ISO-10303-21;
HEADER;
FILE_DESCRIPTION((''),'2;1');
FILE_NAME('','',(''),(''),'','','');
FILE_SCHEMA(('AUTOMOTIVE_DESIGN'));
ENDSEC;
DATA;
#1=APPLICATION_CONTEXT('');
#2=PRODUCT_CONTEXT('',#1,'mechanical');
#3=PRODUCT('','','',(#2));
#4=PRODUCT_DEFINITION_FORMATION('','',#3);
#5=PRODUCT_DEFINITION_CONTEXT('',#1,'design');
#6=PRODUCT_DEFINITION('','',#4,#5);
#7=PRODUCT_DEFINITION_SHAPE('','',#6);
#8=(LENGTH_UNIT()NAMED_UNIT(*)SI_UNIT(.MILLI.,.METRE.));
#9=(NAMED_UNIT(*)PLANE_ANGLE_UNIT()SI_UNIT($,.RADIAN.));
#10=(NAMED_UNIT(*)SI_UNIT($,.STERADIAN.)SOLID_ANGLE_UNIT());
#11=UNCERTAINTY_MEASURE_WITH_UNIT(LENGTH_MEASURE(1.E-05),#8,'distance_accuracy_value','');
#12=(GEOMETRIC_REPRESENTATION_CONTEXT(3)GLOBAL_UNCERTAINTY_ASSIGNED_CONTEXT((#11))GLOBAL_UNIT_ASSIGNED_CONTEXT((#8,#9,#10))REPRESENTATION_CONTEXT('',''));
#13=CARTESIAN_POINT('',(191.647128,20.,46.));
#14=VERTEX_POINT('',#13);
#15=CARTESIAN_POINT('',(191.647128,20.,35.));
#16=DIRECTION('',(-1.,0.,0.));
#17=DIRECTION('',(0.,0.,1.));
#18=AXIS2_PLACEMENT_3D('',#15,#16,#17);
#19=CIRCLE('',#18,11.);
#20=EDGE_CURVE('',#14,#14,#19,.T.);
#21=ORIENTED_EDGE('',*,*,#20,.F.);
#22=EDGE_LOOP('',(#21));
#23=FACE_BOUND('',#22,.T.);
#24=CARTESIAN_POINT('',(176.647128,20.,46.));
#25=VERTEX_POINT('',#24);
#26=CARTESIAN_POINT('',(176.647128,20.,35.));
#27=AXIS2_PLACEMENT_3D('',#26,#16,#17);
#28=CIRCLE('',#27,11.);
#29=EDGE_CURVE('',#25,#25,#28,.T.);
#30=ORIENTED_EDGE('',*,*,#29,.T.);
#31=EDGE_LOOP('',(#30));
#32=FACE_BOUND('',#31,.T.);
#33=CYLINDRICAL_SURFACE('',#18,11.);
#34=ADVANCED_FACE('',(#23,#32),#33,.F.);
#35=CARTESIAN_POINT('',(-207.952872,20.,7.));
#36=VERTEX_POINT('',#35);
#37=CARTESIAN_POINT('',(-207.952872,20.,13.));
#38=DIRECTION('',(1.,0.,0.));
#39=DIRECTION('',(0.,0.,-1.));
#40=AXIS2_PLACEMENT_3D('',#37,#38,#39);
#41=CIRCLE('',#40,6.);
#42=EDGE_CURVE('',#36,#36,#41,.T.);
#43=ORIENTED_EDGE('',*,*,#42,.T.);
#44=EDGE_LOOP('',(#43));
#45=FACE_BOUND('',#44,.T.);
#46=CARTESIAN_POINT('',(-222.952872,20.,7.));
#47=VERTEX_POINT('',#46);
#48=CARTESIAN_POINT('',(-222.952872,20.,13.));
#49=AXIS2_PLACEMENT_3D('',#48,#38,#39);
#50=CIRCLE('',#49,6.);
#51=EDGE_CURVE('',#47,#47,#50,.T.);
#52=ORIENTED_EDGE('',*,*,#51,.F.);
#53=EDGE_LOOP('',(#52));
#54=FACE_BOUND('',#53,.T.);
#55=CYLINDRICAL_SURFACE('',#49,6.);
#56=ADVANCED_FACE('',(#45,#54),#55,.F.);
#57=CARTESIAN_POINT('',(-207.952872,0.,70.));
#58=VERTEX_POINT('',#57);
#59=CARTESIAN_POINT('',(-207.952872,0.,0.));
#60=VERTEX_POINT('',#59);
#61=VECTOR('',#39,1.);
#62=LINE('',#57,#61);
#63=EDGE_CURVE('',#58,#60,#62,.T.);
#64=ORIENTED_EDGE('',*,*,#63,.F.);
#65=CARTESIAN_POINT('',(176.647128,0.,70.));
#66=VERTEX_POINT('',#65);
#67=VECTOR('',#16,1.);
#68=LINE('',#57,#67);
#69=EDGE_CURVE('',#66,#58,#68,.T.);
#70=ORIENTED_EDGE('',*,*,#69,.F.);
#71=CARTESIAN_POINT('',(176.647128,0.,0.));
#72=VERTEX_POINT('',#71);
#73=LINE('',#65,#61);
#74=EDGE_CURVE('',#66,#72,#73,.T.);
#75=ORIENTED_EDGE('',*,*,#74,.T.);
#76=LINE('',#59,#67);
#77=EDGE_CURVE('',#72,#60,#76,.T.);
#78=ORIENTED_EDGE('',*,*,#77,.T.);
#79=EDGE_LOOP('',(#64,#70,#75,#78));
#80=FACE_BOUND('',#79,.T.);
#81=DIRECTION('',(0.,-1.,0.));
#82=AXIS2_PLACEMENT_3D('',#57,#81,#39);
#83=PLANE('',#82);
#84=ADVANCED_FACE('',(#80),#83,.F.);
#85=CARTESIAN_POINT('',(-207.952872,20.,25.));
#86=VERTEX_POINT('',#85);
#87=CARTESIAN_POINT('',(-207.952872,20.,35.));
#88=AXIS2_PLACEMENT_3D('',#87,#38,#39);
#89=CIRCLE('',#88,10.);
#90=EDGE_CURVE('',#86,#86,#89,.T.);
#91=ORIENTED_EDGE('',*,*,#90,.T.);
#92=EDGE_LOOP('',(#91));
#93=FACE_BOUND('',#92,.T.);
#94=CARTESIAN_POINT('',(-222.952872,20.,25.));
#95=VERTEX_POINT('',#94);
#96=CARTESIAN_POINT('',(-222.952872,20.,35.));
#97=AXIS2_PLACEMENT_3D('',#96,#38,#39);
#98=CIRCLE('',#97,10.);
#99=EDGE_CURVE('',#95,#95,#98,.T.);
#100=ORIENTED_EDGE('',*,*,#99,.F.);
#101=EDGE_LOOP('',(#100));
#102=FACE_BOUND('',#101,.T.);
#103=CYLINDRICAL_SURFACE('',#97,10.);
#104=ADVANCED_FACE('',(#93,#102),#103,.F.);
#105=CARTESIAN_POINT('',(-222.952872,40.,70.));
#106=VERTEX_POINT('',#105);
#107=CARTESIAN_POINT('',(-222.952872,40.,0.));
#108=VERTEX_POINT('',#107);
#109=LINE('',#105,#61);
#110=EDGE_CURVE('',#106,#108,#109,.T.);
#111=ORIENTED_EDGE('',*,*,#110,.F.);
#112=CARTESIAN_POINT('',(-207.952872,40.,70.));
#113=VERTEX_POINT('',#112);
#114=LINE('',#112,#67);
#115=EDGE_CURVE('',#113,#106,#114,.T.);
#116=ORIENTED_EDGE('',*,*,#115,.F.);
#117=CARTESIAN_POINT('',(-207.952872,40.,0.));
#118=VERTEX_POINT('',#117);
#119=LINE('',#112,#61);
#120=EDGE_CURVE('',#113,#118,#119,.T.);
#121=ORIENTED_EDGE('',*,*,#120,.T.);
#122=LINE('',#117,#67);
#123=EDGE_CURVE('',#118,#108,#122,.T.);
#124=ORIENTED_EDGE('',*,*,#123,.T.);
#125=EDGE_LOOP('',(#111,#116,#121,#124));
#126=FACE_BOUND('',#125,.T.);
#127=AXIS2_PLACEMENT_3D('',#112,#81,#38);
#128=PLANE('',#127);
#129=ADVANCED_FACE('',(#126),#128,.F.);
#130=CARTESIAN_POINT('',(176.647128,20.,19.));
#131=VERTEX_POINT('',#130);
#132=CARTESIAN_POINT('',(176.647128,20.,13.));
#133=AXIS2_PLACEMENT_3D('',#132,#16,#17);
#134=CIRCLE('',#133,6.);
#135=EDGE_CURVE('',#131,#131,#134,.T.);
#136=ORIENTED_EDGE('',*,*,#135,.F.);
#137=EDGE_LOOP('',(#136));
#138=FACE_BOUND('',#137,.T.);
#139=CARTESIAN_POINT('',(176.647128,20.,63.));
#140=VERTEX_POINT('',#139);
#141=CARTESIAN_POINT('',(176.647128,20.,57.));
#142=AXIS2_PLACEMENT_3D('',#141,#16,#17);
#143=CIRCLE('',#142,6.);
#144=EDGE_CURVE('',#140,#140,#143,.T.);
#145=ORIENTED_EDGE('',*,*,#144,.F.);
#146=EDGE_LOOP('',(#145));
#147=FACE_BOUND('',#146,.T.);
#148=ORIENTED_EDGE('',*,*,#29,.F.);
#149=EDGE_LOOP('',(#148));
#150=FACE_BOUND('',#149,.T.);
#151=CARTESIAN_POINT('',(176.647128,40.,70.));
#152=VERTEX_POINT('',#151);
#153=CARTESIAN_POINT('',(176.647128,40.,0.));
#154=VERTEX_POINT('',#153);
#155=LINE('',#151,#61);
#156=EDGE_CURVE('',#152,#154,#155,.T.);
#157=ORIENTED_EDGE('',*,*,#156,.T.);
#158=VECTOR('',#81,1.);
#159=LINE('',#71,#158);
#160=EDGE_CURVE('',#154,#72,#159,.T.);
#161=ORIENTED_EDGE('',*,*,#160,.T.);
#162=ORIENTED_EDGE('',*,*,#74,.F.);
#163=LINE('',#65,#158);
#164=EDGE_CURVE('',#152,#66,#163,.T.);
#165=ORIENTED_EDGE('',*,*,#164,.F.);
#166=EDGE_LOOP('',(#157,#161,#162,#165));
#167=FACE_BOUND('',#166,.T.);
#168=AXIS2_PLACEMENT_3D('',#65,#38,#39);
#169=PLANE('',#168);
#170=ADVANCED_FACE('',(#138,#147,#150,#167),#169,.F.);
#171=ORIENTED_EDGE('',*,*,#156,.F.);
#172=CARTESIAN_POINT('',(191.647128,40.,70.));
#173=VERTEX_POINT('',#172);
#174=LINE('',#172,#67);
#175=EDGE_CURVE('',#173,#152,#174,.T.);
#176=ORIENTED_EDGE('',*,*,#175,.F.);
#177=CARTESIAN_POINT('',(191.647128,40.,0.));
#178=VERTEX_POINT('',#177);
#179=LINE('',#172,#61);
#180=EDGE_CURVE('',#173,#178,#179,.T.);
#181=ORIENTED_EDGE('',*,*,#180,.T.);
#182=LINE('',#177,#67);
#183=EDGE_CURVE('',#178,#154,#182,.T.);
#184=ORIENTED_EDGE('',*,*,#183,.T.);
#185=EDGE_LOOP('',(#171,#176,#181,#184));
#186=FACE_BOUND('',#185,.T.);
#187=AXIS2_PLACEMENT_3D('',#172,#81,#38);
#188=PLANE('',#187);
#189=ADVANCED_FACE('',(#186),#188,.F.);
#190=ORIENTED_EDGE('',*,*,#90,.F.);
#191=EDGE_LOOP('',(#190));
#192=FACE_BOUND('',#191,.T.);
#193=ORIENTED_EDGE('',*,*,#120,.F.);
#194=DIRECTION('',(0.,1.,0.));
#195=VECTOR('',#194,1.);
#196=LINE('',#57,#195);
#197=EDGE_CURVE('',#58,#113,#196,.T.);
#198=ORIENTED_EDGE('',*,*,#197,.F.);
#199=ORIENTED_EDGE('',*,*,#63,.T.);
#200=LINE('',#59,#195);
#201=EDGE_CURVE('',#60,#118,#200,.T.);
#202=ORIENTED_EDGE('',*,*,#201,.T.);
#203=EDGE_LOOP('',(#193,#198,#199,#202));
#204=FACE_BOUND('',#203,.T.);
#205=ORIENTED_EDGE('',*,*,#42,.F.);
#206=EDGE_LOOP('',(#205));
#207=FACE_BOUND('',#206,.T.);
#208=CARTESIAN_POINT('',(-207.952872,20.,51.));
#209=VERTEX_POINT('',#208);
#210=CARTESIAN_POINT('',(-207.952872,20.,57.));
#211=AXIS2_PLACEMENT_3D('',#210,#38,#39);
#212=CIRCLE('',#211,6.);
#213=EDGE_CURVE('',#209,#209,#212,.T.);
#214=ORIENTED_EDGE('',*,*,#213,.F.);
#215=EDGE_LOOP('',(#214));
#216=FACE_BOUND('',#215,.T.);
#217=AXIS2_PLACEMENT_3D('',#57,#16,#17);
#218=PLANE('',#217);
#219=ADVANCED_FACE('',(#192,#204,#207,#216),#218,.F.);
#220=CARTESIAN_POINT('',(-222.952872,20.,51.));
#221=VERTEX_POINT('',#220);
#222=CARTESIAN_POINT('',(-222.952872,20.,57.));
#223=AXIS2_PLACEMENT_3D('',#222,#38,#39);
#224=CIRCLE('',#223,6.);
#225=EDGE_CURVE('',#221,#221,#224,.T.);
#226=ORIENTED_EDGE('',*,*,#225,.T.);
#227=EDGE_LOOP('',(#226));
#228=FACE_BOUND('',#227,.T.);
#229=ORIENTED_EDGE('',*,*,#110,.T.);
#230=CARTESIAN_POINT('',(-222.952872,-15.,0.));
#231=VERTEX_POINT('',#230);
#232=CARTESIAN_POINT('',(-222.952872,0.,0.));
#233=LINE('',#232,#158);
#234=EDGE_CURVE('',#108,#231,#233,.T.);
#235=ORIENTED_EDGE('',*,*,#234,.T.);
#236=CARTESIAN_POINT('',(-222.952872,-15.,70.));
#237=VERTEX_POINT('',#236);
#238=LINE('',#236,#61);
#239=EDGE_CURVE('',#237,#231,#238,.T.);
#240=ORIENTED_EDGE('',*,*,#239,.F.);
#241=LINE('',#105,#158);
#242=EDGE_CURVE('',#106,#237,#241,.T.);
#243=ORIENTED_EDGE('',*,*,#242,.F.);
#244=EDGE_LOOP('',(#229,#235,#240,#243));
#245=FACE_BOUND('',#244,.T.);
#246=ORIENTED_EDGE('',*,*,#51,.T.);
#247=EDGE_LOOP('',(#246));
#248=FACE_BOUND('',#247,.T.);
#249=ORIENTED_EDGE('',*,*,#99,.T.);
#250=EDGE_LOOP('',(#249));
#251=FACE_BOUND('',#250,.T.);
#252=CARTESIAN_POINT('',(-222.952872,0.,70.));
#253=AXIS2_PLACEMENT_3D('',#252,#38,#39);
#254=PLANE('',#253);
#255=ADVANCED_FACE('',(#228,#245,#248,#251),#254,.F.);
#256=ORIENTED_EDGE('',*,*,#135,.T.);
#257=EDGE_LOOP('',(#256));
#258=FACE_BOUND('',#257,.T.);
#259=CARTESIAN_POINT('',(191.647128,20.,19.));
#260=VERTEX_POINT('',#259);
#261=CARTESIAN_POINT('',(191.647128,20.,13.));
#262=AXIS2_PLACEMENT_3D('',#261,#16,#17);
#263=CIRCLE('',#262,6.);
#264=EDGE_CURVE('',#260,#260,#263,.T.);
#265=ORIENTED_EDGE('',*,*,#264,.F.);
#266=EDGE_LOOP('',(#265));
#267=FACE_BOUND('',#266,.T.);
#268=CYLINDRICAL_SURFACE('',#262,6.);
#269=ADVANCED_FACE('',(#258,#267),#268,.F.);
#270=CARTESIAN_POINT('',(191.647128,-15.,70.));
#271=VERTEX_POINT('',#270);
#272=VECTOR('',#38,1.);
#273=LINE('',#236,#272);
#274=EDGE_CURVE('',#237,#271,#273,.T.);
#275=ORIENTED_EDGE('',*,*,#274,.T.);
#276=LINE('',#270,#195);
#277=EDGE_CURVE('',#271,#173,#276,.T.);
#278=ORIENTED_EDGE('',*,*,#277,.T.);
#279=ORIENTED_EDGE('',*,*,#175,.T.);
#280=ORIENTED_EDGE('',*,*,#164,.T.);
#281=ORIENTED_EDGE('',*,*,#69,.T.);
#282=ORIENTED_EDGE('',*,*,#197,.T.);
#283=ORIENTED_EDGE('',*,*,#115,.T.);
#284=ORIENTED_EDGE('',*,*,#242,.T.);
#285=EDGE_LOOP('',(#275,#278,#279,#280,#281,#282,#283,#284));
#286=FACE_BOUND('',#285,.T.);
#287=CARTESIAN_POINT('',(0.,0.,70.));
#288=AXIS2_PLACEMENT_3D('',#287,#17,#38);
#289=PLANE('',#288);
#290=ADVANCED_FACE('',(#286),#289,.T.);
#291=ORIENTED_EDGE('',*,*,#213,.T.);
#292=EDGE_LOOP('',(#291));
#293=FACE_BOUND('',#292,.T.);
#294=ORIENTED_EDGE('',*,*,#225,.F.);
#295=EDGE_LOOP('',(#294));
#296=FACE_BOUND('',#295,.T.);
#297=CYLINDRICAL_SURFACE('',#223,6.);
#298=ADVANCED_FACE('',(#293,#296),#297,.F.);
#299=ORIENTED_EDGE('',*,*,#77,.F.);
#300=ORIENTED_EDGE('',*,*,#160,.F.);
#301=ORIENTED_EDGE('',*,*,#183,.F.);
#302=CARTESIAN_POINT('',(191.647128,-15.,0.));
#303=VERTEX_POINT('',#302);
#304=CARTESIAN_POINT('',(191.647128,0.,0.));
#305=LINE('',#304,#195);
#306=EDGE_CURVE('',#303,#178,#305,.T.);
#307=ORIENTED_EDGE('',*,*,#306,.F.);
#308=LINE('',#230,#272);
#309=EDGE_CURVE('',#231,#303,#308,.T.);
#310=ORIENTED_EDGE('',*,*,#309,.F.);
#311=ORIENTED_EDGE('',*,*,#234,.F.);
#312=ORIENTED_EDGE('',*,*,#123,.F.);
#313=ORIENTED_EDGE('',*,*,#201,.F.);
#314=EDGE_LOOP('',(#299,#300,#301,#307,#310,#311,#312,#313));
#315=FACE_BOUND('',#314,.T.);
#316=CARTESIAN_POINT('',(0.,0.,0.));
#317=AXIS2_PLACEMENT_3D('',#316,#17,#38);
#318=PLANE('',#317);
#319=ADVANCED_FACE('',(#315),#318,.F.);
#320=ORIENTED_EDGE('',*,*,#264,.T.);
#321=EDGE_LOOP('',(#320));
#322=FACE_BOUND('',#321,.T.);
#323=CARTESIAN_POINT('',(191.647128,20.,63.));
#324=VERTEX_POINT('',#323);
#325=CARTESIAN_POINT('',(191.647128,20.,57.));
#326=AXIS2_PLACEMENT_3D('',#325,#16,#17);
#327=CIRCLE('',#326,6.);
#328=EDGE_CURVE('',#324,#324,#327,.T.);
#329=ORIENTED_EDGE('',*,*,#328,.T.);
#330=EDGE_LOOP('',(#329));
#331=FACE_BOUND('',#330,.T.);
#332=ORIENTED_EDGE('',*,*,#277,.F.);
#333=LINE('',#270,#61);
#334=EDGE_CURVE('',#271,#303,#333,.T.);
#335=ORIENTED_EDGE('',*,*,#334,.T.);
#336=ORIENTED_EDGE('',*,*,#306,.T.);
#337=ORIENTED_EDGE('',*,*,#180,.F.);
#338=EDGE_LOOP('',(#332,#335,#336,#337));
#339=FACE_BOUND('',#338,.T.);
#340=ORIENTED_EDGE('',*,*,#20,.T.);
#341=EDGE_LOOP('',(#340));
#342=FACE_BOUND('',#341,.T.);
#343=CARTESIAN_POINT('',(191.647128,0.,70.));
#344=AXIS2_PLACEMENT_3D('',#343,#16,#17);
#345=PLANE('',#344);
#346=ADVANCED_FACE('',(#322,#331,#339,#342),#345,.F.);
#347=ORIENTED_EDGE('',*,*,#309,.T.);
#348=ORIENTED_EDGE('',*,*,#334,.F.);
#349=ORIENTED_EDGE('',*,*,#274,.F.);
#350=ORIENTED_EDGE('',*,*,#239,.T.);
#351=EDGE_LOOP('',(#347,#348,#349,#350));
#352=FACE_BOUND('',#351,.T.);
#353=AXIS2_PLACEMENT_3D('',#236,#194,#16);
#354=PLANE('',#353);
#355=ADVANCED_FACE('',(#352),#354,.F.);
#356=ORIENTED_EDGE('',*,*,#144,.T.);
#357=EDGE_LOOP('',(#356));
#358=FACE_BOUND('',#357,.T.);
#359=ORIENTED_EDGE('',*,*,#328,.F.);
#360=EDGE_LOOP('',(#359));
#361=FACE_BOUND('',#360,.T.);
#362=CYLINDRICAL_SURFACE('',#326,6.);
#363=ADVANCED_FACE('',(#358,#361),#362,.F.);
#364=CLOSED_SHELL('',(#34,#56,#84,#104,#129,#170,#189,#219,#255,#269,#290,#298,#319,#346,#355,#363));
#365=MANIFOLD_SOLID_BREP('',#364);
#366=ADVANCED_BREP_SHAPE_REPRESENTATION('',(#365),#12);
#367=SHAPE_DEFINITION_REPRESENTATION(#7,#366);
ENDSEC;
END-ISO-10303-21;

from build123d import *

# Parameters (mm, degrees)
BOSS_EXTRUDE3_DEPTH = 70
SKETCH2_R           = 10
CUT_EXTRUDE1_DEPTH  = 408.652008458
SKETCH3_R           = 6
CUT_EXTRUDE2_DEPTH  = 408.652008458
SKETCH4_R           = 11
CUT_EXTRUDE3_DEPTH  = 408.652008458
SKETCH5_R           = 6
CUT_EXTRUDE4_DEPTH  = 408.652008458


with BuildPart() as part:
    # Sketch1 → Boss-Extrude3 (new body)
    with BuildSketch(Plane.XY):
        Polygon((-207.952872216, 0), (176.647127784, 0), (176.647127784, 40), (191.647127784, 40), (191.647127784, 0), (191.647127784, -15), (-222.952872216, -15), (-222.952872216, 0), (-222.952872216, 40), (-207.952872216, 40), align=None)
    extrude(amount=BOSS_EXTRUDE3_DEPTH)

    # Sketch2 → Cut-Extrude1 (cut, through all)
    with BuildSketch(Plane(origin=(-207.952872216, 0, 0), x_dir=(0, 0, -1), z_dir=(1, 0, 0))):
        with Locations((-35, 20)):
            Circle(SKETCH2_R)
    extrude(amount=-CUT_EXTRUDE1_DEPTH, mode=Mode.SUBTRACT)

    # Sketch3 → Cut-Extrude2 (cut, through all)
    with BuildSketch(Plane(origin=(-207.952872216, 0, 0), x_dir=(0, 0, -1), z_dir=(1, 0, 0))):
        with Locations((-13, 20)):
            Circle(SKETCH3_R)
        with Locations((-57, 20)):
            Circle(SKETCH3_R)
    extrude(amount=-CUT_EXTRUDE2_DEPTH, mode=Mode.SUBTRACT)

    # Sketch4 → Cut-Extrude3 (cut, through all)
    with BuildSketch(Plane.ZY.offset(-176.647127784)):
        with Locations((35, 20)):
            Circle(SKETCH4_R)
    extrude(amount=-CUT_EXTRUDE3_DEPTH, mode=Mode.SUBTRACT)

    # Sketch5 → Cut-Extrude4 (cut, through all)
    with BuildSketch(Plane.ZY.offset(-176.647127784)):
        with Locations(Location((57, 20, 0), (0, 0, 180))):
            Circle(SKETCH5_R)
        with Locations(Location((13, 20, 0), (0, 0, 180))):
            Circle(SKETCH5_R)
    extrude(amount=-CUT_EXTRUDE4_DEPTH, mode=Mode.SUBTRACT)


solid = part.part
